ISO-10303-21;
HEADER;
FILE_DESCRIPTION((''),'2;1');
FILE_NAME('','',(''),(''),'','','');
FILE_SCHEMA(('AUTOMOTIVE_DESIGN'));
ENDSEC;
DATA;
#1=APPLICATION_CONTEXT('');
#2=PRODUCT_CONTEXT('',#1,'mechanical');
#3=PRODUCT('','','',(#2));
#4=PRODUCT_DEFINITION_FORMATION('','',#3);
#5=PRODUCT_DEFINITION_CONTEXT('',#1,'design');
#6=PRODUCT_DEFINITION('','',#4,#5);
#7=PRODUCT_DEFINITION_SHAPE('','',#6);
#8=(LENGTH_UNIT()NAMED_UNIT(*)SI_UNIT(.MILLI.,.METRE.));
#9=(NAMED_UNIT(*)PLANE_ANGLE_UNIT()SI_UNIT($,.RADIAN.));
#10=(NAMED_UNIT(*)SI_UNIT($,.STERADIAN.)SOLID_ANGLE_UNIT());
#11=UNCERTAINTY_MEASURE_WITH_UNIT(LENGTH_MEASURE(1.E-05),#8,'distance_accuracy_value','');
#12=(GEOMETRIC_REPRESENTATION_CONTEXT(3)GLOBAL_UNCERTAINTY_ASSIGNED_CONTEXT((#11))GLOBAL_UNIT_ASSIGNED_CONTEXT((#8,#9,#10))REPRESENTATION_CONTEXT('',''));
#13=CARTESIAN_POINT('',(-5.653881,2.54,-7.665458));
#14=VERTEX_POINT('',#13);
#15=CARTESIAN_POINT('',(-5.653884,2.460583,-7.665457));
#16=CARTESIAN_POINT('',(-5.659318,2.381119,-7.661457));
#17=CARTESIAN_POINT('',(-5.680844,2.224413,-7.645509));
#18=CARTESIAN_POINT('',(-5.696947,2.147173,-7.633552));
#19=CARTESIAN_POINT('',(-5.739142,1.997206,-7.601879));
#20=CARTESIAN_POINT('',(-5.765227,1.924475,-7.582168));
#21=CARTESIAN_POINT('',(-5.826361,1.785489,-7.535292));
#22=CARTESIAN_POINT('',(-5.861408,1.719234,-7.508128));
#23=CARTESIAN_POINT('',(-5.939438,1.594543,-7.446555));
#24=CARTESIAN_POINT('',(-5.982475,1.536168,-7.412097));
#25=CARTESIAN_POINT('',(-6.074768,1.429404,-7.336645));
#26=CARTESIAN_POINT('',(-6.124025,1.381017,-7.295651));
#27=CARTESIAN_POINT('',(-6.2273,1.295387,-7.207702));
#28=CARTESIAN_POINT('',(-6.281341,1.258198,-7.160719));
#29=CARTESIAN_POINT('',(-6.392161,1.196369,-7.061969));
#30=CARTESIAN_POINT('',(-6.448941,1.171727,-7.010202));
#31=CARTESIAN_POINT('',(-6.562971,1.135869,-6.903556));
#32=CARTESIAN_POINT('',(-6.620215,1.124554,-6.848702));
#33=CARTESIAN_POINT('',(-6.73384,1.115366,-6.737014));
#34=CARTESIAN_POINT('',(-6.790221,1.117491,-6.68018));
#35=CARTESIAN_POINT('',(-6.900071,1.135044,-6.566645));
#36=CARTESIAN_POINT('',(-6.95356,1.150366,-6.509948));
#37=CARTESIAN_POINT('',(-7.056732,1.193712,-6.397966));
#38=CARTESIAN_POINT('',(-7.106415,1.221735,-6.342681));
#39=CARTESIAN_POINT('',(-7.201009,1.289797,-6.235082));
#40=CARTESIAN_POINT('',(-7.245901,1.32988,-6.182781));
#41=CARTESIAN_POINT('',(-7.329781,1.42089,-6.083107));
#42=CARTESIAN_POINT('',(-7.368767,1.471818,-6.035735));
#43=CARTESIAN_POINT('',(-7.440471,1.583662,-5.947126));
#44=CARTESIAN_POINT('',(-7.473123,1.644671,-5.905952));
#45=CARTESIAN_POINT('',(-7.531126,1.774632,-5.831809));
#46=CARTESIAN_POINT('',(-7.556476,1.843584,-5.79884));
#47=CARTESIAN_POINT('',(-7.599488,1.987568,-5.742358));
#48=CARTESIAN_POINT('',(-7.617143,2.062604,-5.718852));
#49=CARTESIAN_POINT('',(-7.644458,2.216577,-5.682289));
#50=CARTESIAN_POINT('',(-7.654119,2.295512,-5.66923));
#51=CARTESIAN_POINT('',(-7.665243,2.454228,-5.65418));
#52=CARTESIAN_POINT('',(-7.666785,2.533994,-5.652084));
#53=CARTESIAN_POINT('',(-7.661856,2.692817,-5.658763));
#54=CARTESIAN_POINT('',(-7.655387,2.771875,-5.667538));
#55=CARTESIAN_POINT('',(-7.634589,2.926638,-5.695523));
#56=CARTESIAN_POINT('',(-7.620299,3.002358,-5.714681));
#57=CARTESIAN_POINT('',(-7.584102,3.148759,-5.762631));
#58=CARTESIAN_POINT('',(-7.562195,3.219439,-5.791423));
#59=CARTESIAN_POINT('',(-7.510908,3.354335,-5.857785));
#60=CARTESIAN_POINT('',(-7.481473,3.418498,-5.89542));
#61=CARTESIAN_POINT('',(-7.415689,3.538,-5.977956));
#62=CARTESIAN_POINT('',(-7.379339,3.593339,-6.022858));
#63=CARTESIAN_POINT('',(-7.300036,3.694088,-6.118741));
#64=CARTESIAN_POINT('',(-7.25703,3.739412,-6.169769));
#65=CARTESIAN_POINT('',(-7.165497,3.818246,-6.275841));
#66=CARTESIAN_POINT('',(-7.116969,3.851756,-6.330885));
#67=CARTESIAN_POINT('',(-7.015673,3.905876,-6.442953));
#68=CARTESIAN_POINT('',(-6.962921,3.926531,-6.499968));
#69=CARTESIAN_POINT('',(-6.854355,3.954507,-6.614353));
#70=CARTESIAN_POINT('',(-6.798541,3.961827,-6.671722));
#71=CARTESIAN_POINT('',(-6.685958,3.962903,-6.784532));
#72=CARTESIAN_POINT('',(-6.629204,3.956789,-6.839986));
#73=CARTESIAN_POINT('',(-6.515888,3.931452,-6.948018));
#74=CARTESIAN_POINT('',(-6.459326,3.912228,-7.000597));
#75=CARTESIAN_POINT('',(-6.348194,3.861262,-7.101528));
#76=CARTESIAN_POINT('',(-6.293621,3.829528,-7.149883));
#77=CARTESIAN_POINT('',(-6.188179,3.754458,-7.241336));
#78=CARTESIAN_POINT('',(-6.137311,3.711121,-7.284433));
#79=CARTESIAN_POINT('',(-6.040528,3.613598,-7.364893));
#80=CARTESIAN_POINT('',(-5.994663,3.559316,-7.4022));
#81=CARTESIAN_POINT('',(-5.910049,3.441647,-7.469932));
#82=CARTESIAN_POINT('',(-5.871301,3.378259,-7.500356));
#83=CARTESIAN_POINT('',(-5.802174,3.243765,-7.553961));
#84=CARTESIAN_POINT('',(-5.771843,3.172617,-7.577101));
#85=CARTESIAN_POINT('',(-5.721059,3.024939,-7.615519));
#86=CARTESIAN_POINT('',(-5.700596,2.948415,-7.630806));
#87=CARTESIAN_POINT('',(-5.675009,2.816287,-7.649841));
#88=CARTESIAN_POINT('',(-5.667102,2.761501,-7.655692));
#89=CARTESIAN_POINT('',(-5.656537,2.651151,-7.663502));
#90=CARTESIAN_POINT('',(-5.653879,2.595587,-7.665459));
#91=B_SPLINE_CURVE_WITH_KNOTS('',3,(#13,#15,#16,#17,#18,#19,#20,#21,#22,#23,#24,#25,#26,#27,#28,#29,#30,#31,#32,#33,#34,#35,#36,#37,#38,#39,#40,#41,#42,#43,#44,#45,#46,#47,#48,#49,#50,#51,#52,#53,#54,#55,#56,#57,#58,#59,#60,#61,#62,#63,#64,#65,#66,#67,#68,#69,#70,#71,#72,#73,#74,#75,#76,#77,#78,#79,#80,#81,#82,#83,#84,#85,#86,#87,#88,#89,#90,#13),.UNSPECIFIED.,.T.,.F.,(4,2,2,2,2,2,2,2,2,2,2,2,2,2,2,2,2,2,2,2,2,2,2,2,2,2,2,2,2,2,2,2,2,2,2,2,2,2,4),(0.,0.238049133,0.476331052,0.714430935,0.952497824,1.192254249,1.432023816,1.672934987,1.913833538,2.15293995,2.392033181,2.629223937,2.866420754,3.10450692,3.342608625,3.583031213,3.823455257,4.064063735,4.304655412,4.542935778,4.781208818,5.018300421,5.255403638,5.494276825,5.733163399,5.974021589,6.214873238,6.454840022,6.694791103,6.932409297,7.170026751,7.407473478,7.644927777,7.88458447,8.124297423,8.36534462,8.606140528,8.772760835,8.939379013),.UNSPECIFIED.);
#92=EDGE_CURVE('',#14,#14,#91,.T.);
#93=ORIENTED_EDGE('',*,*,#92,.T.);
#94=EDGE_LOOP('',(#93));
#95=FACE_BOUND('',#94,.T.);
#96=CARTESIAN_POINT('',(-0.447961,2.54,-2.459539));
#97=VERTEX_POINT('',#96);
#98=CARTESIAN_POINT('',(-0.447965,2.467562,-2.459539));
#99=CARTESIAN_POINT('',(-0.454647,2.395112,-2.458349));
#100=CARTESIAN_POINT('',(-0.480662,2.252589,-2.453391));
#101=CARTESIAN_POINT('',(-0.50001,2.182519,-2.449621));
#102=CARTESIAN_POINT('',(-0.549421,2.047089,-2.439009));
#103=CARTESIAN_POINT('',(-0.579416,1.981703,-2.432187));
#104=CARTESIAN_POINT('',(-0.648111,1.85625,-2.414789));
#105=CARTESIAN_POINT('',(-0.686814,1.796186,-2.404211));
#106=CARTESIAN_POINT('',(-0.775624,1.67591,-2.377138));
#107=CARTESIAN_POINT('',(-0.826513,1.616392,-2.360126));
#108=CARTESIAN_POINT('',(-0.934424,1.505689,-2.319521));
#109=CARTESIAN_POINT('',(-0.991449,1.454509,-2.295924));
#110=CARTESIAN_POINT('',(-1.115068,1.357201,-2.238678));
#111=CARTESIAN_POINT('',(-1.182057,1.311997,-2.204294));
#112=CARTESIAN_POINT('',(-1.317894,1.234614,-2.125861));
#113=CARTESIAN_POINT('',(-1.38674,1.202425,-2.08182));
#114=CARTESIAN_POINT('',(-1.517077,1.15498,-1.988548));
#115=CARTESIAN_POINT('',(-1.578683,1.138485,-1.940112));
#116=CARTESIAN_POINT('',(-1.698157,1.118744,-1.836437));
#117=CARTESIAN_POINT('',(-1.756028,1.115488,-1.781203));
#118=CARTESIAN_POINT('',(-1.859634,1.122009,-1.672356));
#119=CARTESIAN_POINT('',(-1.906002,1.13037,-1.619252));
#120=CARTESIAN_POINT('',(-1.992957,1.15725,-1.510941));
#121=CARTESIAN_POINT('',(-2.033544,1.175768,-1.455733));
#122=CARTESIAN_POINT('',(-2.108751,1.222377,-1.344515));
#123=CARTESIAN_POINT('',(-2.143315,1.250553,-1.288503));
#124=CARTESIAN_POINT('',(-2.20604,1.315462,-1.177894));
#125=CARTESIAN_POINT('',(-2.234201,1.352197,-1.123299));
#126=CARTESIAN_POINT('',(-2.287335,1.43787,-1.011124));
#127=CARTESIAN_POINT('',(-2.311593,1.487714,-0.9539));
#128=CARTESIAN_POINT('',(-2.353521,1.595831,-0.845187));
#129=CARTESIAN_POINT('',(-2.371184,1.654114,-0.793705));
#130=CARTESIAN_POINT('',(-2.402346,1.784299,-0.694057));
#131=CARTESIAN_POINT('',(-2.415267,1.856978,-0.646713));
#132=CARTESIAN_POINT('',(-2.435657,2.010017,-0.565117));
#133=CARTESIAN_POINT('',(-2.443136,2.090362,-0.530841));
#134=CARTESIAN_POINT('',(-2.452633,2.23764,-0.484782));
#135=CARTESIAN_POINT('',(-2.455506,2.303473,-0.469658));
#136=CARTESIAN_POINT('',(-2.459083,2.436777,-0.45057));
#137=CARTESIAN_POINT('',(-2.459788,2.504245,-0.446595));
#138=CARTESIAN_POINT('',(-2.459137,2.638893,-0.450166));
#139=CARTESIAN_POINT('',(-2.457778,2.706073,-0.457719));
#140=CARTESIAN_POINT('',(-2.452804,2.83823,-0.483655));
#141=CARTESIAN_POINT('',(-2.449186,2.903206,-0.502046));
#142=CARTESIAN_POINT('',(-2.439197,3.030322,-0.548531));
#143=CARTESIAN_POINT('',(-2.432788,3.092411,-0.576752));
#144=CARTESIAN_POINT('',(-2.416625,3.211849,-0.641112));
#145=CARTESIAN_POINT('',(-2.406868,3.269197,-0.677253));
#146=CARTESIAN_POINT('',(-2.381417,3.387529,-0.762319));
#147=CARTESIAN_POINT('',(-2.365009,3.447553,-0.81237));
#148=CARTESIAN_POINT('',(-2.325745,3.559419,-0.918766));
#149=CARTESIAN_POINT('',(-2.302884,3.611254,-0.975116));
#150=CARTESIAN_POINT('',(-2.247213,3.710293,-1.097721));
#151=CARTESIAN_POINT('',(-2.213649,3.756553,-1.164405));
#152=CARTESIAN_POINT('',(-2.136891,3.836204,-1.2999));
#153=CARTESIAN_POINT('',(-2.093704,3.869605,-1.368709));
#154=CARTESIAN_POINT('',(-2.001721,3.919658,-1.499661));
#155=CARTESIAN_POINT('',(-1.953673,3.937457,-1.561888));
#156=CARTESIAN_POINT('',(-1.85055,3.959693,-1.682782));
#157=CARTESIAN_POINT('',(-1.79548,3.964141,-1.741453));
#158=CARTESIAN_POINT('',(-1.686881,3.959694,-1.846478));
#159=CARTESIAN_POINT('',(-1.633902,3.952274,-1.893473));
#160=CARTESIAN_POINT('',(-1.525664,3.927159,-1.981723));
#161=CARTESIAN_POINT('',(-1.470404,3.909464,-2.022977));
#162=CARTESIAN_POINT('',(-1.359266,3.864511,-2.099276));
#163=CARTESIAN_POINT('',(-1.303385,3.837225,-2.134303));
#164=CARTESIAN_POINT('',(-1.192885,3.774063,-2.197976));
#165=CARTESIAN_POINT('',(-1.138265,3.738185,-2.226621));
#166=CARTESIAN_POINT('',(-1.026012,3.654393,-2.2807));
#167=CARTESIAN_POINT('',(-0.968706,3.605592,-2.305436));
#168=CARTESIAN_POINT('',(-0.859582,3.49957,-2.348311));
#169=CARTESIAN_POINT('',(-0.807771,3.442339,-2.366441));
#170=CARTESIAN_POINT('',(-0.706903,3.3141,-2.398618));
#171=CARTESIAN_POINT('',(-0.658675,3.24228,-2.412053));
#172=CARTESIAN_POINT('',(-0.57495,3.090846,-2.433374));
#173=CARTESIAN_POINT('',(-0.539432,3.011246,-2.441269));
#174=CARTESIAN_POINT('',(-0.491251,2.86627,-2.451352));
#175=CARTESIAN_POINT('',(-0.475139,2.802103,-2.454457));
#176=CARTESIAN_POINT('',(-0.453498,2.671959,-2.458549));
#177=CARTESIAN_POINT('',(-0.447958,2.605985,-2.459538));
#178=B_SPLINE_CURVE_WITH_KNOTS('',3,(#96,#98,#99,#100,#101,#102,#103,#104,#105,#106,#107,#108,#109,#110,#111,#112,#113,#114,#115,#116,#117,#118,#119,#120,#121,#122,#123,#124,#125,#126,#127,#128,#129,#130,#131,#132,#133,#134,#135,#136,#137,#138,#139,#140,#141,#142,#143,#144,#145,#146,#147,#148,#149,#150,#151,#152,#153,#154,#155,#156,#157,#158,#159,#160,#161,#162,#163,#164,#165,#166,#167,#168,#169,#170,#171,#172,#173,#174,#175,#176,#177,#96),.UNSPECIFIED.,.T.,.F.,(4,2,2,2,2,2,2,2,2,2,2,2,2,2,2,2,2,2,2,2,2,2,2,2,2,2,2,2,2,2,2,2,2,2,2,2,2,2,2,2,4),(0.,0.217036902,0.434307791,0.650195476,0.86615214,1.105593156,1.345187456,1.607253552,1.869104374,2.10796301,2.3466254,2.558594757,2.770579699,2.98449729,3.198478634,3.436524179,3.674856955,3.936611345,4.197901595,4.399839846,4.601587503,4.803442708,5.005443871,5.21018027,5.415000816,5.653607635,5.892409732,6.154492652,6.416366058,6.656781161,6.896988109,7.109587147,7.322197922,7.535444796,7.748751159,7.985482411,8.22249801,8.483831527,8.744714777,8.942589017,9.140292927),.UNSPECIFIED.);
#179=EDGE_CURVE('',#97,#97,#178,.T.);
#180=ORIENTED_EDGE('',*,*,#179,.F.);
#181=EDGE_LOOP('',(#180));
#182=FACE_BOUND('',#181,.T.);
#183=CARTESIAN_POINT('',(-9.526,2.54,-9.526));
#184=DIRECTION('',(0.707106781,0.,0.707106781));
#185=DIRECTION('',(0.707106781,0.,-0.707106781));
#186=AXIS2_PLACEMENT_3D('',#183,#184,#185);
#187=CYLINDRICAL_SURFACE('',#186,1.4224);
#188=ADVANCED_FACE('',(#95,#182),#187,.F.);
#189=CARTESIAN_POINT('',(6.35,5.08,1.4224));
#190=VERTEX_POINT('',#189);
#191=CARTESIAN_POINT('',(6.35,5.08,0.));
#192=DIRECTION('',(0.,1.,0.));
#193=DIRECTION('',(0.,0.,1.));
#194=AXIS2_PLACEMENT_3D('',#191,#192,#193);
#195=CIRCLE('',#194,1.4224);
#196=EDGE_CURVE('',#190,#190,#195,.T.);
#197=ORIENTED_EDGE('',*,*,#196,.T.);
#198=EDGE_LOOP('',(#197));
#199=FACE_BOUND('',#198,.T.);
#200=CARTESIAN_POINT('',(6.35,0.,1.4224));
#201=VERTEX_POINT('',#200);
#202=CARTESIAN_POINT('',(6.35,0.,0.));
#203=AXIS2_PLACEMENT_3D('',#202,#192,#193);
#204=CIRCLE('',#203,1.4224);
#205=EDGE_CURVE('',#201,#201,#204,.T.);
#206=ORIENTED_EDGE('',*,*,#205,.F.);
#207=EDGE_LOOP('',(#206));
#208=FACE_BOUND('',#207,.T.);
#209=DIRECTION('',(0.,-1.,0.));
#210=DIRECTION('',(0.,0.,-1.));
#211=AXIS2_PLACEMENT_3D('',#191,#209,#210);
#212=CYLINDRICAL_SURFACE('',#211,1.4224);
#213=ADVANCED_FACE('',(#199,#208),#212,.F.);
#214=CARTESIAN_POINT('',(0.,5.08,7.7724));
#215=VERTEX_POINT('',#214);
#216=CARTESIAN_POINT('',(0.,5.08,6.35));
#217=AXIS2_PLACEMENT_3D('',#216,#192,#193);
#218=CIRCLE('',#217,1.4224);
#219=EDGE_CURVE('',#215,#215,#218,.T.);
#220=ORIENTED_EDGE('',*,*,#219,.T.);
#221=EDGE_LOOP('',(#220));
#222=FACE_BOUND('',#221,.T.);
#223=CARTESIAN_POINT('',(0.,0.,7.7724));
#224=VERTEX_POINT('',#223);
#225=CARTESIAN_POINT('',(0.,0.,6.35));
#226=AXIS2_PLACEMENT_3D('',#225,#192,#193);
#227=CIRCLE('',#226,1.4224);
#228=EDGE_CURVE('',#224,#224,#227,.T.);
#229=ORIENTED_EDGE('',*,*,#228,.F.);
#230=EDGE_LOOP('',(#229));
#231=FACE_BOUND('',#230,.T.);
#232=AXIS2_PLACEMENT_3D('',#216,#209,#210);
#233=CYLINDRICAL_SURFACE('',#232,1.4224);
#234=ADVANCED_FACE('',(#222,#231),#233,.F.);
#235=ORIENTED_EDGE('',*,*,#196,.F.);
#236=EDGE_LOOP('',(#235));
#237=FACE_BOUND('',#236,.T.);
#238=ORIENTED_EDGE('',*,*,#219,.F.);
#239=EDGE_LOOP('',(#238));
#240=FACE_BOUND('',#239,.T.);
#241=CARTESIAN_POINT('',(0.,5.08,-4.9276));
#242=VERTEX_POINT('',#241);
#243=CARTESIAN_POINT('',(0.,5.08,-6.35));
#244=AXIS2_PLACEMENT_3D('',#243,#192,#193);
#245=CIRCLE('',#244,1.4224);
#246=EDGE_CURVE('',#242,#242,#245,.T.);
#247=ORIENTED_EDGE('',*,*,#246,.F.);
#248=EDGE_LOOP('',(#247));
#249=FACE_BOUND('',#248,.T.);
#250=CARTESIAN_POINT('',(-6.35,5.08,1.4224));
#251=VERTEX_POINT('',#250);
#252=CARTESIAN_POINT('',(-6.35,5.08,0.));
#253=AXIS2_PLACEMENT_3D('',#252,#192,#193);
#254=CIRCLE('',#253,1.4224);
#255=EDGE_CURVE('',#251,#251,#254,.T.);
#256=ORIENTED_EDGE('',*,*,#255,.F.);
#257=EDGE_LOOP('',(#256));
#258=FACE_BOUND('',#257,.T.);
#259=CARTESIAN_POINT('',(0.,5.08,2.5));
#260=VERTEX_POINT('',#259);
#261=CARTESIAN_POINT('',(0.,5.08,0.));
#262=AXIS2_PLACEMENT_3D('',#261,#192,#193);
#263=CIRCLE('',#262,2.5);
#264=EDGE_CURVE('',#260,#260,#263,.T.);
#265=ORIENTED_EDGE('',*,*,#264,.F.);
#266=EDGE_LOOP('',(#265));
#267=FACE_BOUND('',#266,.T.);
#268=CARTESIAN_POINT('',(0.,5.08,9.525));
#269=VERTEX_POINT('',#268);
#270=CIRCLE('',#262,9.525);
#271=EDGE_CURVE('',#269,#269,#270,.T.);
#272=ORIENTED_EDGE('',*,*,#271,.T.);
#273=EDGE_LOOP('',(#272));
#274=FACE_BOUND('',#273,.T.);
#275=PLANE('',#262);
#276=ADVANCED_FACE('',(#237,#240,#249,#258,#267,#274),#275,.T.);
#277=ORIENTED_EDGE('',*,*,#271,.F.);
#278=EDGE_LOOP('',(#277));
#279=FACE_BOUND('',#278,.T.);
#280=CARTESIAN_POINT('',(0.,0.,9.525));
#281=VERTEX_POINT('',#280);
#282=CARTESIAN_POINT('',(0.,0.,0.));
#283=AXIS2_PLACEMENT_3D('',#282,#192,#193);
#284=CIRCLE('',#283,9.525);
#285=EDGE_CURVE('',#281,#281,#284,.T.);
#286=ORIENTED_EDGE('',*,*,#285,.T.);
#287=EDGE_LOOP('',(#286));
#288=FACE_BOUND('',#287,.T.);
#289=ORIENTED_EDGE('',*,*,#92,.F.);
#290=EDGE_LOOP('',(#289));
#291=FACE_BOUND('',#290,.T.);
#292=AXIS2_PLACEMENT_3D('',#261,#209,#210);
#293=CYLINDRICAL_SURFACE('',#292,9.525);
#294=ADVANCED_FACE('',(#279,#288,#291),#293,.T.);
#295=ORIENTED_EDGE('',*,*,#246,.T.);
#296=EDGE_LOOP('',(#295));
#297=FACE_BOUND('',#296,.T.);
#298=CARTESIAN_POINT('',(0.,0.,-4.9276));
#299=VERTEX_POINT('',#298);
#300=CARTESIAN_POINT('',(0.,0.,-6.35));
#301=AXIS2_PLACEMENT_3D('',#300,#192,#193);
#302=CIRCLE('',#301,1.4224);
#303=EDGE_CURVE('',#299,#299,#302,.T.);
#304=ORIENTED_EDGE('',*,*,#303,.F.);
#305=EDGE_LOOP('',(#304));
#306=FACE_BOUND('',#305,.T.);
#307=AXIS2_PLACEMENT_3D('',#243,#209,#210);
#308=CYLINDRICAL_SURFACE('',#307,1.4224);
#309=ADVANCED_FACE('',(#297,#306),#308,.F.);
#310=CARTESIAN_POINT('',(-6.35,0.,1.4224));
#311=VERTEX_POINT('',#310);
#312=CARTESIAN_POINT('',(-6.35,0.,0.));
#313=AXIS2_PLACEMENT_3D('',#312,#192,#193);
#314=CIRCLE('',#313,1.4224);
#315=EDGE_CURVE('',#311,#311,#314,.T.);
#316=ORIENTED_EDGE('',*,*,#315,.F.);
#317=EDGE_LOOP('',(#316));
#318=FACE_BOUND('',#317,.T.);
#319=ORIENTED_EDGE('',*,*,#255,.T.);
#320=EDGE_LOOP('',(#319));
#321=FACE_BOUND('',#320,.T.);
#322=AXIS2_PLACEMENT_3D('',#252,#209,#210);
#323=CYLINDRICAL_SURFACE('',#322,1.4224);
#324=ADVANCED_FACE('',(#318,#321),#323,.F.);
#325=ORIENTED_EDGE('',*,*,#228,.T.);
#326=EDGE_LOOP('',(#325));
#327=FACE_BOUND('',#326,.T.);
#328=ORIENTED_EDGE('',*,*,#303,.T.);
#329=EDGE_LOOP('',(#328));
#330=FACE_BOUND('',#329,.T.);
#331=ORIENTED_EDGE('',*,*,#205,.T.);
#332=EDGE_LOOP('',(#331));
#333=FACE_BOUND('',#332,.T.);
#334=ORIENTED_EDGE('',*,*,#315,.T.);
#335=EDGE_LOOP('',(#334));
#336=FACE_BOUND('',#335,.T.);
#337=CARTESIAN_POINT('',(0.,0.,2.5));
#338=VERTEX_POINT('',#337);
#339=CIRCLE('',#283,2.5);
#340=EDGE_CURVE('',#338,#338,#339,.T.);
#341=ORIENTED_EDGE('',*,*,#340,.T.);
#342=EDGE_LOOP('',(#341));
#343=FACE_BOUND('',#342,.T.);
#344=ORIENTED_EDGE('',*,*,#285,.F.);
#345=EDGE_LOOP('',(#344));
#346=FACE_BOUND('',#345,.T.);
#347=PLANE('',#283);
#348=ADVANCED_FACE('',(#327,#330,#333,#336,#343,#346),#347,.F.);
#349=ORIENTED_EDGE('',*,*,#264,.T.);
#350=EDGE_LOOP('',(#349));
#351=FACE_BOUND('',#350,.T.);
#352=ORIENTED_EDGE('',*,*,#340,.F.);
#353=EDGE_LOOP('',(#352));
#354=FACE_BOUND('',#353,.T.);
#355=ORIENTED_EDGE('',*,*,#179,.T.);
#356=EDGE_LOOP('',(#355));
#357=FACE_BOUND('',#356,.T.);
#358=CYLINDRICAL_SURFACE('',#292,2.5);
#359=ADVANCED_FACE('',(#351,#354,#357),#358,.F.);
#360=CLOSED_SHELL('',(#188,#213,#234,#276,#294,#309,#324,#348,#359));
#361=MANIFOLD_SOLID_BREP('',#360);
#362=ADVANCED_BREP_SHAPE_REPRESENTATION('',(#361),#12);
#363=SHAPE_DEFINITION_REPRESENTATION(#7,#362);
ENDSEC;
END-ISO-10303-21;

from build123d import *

# Parameters (mm, degrees)
SKETCH2_R           = 9.525
SKETCH2_R_2         = 1.4224
SKETCH2_R_3         = 2.5
BOSS_EXTRUDE1_DEPTH = 5.08
CUT_EXTRUDE1_REACH  = 15.47
SKETCH7_R           = 1.4224


with BuildPart() as part:
    # Sketch2 → Boss-Extrude1 (new body)
    with BuildSketch(Plane(origin=(0, 0, 0), x_dir=(1, 0, 0), z_dir=(0, 1, 0))):
        Circle(SKETCH2_R)
        with Locations((0, 6.35)):
            Circle(SKETCH2_R_2, mode=Mode.SUBTRACT)
        with Locations((6.35, 0)):
            Circle(SKETCH2_R_2, mode=Mode.SUBTRACT)
        with Locations((0, -6.35)):
            Circle(SKETCH2_R_2, mode=Mode.SUBTRACT)
        with Locations((-6.35, 0)):
            Circle(SKETCH2_R_2, mode=Mode.SUBTRACT)
        Circle(SKETCH2_R_3, mode=Mode.SUBTRACT)
    extrude(amount=BOSS_EXTRUDE1_DEPTH)

    # Sketch7 → Cut-Extrude1 (cut, up to next)
    with BuildSketch(Plane(origin=(0, 0, 0), x_dir=(0.707106781, 0, -0.707106781), z_dir=(0.707106781, 0, 0.707106781)), mode=Mode.PRIVATE) as cut_extrude1_sk1:
        with Locations((0, 2.54)):
            Circle(SKETCH7_R)
    cut_extrude1_tool1 = extrude(cut_extrude1_sk1.sketch, amount=-CUT_EXTRUDE1_REACH, mode=Mode.PRIVATE) & part.part
    add(cut_extrude1_tool1.solids().sort_by_distance((0, 2.54, 0))[0], mode=Mode.SUBTRACT)


solid = part.part
